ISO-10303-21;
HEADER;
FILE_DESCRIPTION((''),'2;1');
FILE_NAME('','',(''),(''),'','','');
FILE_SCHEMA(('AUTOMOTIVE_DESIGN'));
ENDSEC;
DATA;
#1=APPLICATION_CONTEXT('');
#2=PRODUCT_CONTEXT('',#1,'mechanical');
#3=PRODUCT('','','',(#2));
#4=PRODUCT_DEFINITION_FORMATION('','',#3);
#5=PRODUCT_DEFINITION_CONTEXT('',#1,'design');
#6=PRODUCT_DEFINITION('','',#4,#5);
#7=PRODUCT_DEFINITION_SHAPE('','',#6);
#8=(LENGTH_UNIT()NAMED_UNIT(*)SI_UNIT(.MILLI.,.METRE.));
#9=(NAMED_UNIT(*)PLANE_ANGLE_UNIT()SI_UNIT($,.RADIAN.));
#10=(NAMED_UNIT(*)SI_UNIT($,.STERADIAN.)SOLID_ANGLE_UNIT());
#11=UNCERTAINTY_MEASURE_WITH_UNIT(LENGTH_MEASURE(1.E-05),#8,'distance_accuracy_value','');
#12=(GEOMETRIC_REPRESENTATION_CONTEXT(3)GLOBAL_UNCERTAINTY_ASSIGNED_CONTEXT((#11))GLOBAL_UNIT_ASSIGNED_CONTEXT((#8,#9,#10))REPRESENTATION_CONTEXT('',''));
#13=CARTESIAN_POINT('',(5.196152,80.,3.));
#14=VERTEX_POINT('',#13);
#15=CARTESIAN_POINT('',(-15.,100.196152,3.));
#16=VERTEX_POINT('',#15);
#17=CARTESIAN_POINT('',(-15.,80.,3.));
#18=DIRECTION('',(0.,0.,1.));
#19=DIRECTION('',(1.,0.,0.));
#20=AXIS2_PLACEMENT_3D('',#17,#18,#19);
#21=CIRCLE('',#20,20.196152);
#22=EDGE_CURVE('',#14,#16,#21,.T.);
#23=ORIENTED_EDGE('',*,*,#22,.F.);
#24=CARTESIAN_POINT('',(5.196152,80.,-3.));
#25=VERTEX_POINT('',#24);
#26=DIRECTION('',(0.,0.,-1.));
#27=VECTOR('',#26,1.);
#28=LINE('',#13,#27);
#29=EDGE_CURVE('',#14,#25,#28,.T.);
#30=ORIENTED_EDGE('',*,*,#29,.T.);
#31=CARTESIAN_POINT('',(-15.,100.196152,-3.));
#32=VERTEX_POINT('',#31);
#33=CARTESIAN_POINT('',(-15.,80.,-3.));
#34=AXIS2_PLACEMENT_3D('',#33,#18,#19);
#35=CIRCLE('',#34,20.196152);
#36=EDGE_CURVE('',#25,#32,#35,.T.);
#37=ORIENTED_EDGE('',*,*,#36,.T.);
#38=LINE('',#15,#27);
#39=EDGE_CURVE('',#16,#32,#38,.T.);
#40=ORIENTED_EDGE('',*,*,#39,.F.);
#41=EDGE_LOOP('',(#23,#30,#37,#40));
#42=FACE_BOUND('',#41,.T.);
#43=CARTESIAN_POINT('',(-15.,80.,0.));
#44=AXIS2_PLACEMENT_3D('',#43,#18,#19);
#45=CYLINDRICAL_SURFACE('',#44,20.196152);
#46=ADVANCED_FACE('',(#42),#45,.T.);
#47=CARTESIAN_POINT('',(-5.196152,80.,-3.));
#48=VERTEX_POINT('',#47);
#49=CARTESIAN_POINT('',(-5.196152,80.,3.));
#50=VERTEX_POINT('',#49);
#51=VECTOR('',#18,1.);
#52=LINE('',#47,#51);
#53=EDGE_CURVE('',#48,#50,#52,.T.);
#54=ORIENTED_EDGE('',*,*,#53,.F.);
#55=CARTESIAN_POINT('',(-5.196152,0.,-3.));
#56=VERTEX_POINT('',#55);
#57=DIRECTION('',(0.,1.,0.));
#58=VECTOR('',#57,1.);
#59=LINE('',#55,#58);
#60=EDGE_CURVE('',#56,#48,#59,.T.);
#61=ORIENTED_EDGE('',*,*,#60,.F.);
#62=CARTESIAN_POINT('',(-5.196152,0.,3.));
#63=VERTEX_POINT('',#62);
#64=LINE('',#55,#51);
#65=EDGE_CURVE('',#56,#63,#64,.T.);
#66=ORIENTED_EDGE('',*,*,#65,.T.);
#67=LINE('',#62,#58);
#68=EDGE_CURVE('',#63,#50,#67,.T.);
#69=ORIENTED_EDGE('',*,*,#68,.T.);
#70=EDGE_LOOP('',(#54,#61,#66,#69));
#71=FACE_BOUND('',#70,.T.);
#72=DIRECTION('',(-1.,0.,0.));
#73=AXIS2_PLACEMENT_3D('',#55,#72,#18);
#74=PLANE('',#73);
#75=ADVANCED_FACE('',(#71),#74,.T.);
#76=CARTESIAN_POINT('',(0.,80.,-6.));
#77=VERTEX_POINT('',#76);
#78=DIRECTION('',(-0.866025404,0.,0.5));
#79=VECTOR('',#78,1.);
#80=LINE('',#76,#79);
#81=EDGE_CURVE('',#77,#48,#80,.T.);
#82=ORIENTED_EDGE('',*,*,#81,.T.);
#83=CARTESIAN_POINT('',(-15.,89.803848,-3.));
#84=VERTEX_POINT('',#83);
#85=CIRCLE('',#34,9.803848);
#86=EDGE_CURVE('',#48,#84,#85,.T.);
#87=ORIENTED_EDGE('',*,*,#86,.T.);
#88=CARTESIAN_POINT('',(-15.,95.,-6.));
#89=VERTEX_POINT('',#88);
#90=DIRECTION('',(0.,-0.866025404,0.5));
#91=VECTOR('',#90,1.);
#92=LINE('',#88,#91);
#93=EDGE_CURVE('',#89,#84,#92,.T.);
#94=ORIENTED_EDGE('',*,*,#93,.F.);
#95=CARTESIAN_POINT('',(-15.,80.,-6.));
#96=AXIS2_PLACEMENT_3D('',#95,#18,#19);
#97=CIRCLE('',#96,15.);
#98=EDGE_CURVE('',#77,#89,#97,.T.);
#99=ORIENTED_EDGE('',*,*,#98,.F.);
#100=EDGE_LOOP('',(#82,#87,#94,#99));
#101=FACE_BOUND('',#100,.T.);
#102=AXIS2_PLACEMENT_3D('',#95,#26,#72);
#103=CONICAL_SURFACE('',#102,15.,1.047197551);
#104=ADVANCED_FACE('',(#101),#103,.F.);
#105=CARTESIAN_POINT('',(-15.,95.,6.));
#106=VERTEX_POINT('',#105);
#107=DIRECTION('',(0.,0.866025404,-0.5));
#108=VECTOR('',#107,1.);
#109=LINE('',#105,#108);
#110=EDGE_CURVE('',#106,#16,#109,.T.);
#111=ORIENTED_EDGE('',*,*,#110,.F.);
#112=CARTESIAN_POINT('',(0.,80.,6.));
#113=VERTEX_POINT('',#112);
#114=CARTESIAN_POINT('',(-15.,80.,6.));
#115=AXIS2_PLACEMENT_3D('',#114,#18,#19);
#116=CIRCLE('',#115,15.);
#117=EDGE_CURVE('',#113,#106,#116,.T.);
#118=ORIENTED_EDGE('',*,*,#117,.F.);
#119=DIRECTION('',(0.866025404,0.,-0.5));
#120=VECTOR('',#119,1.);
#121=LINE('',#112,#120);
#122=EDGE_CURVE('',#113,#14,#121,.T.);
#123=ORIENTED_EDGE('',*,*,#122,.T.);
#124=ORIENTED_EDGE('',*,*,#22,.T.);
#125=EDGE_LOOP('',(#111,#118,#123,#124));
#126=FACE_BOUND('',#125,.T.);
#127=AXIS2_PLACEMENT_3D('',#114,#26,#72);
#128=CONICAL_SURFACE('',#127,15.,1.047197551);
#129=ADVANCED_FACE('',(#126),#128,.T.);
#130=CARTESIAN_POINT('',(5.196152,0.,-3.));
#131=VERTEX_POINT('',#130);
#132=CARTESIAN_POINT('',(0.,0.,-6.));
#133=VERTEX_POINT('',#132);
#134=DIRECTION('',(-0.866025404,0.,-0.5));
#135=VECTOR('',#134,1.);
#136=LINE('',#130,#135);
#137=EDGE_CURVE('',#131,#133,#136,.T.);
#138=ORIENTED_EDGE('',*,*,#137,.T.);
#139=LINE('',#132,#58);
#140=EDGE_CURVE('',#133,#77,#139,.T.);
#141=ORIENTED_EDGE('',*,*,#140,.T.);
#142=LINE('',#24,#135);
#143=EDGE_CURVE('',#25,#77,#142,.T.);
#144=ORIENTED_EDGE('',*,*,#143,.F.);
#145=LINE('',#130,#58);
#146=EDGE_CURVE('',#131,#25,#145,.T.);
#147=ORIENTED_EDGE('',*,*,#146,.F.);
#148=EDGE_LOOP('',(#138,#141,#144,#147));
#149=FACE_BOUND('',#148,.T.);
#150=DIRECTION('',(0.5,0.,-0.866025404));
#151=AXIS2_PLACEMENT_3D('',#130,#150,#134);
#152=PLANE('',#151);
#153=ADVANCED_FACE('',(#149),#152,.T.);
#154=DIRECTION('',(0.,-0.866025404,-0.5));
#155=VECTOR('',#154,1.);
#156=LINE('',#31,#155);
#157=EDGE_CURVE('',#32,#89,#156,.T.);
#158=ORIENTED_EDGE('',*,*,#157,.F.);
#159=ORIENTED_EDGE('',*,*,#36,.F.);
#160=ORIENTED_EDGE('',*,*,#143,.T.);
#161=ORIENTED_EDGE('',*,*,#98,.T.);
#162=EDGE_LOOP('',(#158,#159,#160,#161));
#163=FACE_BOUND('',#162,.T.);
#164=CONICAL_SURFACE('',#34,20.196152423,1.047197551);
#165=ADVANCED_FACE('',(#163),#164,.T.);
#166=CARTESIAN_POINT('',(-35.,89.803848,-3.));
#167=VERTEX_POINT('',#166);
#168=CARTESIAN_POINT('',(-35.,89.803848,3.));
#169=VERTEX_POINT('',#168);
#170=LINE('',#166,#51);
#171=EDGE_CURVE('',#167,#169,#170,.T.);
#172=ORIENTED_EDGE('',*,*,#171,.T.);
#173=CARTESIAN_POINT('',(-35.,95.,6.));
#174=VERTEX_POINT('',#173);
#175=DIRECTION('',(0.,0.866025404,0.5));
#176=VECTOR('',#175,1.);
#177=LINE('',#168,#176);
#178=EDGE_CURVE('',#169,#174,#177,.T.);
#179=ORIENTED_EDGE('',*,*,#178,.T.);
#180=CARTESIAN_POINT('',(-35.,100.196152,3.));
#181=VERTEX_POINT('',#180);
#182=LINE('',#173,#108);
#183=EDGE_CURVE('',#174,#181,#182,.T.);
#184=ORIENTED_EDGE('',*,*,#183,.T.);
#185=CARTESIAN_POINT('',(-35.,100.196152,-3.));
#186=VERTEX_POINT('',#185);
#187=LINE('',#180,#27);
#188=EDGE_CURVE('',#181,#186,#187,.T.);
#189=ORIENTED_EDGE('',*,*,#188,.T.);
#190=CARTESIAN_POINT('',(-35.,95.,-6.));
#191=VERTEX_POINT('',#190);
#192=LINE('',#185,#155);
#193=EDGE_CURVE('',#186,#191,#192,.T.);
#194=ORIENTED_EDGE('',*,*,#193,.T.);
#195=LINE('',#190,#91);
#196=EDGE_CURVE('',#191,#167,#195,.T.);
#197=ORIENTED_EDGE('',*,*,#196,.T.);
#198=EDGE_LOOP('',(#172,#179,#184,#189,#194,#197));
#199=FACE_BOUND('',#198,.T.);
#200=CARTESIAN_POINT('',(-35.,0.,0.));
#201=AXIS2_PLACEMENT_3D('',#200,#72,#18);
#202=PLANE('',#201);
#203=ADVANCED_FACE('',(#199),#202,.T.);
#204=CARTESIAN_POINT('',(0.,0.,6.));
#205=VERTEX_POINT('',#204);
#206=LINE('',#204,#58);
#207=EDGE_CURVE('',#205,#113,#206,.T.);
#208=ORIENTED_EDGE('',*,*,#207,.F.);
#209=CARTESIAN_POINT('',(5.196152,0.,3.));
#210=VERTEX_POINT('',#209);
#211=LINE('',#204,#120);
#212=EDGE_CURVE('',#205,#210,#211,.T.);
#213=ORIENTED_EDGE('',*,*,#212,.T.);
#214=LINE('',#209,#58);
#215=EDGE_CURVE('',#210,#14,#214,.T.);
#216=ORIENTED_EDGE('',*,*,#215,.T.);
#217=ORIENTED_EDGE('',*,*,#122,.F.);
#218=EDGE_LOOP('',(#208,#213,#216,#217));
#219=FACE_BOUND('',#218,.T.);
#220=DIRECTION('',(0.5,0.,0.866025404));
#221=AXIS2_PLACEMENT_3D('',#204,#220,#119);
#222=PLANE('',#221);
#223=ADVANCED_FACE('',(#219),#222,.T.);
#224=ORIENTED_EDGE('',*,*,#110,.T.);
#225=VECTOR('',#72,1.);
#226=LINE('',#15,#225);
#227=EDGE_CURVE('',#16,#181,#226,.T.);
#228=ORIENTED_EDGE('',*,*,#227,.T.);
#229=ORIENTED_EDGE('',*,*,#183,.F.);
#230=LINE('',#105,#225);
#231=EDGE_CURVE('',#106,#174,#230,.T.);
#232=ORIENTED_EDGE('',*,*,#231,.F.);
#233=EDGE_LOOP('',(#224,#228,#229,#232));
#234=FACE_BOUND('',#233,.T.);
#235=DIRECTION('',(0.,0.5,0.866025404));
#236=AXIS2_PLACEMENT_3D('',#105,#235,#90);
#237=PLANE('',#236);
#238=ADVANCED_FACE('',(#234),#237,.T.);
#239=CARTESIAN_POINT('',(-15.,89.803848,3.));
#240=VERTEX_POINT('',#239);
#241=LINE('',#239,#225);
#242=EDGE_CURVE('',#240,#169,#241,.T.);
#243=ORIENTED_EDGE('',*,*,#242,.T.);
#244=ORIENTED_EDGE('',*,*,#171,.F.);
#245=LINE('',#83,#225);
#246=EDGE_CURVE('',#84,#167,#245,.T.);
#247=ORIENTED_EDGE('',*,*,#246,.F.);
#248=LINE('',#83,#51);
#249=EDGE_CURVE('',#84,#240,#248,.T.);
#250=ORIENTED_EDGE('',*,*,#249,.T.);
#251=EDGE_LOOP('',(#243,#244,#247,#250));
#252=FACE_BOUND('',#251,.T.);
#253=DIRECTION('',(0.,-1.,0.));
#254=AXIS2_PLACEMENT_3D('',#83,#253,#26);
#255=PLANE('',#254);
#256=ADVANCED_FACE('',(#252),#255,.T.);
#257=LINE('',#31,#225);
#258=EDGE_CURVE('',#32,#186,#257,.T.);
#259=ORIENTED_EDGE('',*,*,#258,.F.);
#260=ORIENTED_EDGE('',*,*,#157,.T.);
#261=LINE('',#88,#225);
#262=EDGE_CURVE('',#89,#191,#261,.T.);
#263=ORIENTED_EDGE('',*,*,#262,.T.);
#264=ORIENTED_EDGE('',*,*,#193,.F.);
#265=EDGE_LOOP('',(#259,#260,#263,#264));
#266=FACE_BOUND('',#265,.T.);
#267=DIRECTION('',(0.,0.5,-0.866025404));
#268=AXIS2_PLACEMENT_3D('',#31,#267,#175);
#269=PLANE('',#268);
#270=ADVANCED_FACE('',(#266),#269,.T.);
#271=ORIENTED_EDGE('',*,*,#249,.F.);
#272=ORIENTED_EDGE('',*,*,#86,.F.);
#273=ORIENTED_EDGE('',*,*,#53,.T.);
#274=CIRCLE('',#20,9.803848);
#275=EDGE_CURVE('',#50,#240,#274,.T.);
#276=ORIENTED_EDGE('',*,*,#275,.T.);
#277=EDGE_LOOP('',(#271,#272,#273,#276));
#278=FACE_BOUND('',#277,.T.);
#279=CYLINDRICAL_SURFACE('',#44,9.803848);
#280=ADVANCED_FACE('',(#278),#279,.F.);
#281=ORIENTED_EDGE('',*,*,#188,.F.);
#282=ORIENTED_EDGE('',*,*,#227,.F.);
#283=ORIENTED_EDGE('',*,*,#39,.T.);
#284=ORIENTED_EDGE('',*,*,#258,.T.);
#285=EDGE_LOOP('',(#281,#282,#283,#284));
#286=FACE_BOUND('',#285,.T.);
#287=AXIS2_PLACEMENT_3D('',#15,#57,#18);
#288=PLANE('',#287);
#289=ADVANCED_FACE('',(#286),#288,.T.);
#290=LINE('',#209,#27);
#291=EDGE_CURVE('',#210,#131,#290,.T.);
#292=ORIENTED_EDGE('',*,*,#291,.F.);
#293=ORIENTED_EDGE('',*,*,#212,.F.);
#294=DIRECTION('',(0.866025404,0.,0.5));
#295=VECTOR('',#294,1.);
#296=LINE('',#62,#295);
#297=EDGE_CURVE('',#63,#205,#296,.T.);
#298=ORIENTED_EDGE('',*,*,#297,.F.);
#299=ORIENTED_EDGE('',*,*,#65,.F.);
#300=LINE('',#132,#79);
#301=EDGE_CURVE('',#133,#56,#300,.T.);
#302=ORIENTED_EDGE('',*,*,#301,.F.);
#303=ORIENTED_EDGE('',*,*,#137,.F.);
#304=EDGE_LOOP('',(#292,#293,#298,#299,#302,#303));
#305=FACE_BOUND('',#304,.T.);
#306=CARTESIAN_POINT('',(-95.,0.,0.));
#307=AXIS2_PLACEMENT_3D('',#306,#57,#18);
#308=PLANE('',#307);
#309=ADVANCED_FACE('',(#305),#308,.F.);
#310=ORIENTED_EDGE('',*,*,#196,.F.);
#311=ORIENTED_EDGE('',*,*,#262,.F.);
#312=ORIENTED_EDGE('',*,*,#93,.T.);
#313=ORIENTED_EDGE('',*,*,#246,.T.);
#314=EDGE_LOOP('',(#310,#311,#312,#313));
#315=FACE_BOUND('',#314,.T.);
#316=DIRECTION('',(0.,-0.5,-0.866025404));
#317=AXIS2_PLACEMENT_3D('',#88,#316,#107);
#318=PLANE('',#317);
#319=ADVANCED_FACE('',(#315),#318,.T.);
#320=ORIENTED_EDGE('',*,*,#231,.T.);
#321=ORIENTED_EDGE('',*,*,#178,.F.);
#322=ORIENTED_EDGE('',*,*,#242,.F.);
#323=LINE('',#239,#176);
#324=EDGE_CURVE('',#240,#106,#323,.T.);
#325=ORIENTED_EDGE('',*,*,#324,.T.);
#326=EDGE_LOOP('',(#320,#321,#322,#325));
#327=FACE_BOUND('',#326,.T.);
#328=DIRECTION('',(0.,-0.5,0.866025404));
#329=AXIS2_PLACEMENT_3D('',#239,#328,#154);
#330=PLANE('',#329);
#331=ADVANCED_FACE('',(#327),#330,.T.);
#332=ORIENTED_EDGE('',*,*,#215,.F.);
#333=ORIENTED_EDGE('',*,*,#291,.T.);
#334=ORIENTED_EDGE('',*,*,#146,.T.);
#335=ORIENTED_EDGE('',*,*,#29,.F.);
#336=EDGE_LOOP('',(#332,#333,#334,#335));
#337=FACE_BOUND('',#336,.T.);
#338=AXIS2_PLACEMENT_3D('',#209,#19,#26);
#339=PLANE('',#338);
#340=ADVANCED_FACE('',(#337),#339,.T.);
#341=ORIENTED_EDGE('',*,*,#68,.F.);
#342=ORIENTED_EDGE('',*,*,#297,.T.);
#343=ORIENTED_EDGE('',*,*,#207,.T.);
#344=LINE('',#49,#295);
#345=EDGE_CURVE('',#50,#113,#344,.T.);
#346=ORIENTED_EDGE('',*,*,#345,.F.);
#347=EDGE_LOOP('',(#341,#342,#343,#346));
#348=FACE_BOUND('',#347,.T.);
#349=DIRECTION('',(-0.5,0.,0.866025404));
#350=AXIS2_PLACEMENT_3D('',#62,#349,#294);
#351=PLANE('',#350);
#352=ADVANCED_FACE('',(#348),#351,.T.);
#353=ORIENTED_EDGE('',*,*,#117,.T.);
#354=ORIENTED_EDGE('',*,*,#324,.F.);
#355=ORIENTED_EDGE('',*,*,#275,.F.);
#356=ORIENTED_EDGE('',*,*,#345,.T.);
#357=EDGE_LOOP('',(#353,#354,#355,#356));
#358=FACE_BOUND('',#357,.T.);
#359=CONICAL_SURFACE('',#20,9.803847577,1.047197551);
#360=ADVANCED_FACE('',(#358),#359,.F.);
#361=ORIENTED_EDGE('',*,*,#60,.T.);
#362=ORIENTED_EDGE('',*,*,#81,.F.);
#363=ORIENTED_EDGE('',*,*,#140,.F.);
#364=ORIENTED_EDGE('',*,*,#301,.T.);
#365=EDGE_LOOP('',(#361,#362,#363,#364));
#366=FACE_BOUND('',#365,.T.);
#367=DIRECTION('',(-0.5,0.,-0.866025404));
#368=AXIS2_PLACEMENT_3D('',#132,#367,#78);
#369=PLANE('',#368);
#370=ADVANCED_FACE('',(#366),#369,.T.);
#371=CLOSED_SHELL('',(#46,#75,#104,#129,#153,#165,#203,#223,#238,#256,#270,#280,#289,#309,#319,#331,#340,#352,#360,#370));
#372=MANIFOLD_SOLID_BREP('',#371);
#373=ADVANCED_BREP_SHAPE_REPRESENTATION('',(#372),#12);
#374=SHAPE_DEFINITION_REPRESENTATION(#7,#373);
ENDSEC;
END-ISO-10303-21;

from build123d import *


with BuildPart() as part:
    # Sweep1: sweep along a path in Sketch1
    with BuildLine(Plane.XY) as sweep1_path:
        Line((0, 0), (0, 80))
        ThreePointArc((0, 80), (-4.393398282, 90.606601718), (-15, 95))
        Line((-15, 95), (-35, 95))
    # Sketch2 → Sweep1 (sweep)
    with BuildSketch(Plane(origin=(-35, 95, 0), x_dir=(0, 0, 1), z_dir=(-1, 0, 0))):
        Polygon((6, 0), (3, 5.196152423), (-3, 5.196152423), (-6, 0), (-3, -5.196152423), (3, -5.196152423), align=None)
    sweep(path=sweep1_path.line)


solid = part.part
